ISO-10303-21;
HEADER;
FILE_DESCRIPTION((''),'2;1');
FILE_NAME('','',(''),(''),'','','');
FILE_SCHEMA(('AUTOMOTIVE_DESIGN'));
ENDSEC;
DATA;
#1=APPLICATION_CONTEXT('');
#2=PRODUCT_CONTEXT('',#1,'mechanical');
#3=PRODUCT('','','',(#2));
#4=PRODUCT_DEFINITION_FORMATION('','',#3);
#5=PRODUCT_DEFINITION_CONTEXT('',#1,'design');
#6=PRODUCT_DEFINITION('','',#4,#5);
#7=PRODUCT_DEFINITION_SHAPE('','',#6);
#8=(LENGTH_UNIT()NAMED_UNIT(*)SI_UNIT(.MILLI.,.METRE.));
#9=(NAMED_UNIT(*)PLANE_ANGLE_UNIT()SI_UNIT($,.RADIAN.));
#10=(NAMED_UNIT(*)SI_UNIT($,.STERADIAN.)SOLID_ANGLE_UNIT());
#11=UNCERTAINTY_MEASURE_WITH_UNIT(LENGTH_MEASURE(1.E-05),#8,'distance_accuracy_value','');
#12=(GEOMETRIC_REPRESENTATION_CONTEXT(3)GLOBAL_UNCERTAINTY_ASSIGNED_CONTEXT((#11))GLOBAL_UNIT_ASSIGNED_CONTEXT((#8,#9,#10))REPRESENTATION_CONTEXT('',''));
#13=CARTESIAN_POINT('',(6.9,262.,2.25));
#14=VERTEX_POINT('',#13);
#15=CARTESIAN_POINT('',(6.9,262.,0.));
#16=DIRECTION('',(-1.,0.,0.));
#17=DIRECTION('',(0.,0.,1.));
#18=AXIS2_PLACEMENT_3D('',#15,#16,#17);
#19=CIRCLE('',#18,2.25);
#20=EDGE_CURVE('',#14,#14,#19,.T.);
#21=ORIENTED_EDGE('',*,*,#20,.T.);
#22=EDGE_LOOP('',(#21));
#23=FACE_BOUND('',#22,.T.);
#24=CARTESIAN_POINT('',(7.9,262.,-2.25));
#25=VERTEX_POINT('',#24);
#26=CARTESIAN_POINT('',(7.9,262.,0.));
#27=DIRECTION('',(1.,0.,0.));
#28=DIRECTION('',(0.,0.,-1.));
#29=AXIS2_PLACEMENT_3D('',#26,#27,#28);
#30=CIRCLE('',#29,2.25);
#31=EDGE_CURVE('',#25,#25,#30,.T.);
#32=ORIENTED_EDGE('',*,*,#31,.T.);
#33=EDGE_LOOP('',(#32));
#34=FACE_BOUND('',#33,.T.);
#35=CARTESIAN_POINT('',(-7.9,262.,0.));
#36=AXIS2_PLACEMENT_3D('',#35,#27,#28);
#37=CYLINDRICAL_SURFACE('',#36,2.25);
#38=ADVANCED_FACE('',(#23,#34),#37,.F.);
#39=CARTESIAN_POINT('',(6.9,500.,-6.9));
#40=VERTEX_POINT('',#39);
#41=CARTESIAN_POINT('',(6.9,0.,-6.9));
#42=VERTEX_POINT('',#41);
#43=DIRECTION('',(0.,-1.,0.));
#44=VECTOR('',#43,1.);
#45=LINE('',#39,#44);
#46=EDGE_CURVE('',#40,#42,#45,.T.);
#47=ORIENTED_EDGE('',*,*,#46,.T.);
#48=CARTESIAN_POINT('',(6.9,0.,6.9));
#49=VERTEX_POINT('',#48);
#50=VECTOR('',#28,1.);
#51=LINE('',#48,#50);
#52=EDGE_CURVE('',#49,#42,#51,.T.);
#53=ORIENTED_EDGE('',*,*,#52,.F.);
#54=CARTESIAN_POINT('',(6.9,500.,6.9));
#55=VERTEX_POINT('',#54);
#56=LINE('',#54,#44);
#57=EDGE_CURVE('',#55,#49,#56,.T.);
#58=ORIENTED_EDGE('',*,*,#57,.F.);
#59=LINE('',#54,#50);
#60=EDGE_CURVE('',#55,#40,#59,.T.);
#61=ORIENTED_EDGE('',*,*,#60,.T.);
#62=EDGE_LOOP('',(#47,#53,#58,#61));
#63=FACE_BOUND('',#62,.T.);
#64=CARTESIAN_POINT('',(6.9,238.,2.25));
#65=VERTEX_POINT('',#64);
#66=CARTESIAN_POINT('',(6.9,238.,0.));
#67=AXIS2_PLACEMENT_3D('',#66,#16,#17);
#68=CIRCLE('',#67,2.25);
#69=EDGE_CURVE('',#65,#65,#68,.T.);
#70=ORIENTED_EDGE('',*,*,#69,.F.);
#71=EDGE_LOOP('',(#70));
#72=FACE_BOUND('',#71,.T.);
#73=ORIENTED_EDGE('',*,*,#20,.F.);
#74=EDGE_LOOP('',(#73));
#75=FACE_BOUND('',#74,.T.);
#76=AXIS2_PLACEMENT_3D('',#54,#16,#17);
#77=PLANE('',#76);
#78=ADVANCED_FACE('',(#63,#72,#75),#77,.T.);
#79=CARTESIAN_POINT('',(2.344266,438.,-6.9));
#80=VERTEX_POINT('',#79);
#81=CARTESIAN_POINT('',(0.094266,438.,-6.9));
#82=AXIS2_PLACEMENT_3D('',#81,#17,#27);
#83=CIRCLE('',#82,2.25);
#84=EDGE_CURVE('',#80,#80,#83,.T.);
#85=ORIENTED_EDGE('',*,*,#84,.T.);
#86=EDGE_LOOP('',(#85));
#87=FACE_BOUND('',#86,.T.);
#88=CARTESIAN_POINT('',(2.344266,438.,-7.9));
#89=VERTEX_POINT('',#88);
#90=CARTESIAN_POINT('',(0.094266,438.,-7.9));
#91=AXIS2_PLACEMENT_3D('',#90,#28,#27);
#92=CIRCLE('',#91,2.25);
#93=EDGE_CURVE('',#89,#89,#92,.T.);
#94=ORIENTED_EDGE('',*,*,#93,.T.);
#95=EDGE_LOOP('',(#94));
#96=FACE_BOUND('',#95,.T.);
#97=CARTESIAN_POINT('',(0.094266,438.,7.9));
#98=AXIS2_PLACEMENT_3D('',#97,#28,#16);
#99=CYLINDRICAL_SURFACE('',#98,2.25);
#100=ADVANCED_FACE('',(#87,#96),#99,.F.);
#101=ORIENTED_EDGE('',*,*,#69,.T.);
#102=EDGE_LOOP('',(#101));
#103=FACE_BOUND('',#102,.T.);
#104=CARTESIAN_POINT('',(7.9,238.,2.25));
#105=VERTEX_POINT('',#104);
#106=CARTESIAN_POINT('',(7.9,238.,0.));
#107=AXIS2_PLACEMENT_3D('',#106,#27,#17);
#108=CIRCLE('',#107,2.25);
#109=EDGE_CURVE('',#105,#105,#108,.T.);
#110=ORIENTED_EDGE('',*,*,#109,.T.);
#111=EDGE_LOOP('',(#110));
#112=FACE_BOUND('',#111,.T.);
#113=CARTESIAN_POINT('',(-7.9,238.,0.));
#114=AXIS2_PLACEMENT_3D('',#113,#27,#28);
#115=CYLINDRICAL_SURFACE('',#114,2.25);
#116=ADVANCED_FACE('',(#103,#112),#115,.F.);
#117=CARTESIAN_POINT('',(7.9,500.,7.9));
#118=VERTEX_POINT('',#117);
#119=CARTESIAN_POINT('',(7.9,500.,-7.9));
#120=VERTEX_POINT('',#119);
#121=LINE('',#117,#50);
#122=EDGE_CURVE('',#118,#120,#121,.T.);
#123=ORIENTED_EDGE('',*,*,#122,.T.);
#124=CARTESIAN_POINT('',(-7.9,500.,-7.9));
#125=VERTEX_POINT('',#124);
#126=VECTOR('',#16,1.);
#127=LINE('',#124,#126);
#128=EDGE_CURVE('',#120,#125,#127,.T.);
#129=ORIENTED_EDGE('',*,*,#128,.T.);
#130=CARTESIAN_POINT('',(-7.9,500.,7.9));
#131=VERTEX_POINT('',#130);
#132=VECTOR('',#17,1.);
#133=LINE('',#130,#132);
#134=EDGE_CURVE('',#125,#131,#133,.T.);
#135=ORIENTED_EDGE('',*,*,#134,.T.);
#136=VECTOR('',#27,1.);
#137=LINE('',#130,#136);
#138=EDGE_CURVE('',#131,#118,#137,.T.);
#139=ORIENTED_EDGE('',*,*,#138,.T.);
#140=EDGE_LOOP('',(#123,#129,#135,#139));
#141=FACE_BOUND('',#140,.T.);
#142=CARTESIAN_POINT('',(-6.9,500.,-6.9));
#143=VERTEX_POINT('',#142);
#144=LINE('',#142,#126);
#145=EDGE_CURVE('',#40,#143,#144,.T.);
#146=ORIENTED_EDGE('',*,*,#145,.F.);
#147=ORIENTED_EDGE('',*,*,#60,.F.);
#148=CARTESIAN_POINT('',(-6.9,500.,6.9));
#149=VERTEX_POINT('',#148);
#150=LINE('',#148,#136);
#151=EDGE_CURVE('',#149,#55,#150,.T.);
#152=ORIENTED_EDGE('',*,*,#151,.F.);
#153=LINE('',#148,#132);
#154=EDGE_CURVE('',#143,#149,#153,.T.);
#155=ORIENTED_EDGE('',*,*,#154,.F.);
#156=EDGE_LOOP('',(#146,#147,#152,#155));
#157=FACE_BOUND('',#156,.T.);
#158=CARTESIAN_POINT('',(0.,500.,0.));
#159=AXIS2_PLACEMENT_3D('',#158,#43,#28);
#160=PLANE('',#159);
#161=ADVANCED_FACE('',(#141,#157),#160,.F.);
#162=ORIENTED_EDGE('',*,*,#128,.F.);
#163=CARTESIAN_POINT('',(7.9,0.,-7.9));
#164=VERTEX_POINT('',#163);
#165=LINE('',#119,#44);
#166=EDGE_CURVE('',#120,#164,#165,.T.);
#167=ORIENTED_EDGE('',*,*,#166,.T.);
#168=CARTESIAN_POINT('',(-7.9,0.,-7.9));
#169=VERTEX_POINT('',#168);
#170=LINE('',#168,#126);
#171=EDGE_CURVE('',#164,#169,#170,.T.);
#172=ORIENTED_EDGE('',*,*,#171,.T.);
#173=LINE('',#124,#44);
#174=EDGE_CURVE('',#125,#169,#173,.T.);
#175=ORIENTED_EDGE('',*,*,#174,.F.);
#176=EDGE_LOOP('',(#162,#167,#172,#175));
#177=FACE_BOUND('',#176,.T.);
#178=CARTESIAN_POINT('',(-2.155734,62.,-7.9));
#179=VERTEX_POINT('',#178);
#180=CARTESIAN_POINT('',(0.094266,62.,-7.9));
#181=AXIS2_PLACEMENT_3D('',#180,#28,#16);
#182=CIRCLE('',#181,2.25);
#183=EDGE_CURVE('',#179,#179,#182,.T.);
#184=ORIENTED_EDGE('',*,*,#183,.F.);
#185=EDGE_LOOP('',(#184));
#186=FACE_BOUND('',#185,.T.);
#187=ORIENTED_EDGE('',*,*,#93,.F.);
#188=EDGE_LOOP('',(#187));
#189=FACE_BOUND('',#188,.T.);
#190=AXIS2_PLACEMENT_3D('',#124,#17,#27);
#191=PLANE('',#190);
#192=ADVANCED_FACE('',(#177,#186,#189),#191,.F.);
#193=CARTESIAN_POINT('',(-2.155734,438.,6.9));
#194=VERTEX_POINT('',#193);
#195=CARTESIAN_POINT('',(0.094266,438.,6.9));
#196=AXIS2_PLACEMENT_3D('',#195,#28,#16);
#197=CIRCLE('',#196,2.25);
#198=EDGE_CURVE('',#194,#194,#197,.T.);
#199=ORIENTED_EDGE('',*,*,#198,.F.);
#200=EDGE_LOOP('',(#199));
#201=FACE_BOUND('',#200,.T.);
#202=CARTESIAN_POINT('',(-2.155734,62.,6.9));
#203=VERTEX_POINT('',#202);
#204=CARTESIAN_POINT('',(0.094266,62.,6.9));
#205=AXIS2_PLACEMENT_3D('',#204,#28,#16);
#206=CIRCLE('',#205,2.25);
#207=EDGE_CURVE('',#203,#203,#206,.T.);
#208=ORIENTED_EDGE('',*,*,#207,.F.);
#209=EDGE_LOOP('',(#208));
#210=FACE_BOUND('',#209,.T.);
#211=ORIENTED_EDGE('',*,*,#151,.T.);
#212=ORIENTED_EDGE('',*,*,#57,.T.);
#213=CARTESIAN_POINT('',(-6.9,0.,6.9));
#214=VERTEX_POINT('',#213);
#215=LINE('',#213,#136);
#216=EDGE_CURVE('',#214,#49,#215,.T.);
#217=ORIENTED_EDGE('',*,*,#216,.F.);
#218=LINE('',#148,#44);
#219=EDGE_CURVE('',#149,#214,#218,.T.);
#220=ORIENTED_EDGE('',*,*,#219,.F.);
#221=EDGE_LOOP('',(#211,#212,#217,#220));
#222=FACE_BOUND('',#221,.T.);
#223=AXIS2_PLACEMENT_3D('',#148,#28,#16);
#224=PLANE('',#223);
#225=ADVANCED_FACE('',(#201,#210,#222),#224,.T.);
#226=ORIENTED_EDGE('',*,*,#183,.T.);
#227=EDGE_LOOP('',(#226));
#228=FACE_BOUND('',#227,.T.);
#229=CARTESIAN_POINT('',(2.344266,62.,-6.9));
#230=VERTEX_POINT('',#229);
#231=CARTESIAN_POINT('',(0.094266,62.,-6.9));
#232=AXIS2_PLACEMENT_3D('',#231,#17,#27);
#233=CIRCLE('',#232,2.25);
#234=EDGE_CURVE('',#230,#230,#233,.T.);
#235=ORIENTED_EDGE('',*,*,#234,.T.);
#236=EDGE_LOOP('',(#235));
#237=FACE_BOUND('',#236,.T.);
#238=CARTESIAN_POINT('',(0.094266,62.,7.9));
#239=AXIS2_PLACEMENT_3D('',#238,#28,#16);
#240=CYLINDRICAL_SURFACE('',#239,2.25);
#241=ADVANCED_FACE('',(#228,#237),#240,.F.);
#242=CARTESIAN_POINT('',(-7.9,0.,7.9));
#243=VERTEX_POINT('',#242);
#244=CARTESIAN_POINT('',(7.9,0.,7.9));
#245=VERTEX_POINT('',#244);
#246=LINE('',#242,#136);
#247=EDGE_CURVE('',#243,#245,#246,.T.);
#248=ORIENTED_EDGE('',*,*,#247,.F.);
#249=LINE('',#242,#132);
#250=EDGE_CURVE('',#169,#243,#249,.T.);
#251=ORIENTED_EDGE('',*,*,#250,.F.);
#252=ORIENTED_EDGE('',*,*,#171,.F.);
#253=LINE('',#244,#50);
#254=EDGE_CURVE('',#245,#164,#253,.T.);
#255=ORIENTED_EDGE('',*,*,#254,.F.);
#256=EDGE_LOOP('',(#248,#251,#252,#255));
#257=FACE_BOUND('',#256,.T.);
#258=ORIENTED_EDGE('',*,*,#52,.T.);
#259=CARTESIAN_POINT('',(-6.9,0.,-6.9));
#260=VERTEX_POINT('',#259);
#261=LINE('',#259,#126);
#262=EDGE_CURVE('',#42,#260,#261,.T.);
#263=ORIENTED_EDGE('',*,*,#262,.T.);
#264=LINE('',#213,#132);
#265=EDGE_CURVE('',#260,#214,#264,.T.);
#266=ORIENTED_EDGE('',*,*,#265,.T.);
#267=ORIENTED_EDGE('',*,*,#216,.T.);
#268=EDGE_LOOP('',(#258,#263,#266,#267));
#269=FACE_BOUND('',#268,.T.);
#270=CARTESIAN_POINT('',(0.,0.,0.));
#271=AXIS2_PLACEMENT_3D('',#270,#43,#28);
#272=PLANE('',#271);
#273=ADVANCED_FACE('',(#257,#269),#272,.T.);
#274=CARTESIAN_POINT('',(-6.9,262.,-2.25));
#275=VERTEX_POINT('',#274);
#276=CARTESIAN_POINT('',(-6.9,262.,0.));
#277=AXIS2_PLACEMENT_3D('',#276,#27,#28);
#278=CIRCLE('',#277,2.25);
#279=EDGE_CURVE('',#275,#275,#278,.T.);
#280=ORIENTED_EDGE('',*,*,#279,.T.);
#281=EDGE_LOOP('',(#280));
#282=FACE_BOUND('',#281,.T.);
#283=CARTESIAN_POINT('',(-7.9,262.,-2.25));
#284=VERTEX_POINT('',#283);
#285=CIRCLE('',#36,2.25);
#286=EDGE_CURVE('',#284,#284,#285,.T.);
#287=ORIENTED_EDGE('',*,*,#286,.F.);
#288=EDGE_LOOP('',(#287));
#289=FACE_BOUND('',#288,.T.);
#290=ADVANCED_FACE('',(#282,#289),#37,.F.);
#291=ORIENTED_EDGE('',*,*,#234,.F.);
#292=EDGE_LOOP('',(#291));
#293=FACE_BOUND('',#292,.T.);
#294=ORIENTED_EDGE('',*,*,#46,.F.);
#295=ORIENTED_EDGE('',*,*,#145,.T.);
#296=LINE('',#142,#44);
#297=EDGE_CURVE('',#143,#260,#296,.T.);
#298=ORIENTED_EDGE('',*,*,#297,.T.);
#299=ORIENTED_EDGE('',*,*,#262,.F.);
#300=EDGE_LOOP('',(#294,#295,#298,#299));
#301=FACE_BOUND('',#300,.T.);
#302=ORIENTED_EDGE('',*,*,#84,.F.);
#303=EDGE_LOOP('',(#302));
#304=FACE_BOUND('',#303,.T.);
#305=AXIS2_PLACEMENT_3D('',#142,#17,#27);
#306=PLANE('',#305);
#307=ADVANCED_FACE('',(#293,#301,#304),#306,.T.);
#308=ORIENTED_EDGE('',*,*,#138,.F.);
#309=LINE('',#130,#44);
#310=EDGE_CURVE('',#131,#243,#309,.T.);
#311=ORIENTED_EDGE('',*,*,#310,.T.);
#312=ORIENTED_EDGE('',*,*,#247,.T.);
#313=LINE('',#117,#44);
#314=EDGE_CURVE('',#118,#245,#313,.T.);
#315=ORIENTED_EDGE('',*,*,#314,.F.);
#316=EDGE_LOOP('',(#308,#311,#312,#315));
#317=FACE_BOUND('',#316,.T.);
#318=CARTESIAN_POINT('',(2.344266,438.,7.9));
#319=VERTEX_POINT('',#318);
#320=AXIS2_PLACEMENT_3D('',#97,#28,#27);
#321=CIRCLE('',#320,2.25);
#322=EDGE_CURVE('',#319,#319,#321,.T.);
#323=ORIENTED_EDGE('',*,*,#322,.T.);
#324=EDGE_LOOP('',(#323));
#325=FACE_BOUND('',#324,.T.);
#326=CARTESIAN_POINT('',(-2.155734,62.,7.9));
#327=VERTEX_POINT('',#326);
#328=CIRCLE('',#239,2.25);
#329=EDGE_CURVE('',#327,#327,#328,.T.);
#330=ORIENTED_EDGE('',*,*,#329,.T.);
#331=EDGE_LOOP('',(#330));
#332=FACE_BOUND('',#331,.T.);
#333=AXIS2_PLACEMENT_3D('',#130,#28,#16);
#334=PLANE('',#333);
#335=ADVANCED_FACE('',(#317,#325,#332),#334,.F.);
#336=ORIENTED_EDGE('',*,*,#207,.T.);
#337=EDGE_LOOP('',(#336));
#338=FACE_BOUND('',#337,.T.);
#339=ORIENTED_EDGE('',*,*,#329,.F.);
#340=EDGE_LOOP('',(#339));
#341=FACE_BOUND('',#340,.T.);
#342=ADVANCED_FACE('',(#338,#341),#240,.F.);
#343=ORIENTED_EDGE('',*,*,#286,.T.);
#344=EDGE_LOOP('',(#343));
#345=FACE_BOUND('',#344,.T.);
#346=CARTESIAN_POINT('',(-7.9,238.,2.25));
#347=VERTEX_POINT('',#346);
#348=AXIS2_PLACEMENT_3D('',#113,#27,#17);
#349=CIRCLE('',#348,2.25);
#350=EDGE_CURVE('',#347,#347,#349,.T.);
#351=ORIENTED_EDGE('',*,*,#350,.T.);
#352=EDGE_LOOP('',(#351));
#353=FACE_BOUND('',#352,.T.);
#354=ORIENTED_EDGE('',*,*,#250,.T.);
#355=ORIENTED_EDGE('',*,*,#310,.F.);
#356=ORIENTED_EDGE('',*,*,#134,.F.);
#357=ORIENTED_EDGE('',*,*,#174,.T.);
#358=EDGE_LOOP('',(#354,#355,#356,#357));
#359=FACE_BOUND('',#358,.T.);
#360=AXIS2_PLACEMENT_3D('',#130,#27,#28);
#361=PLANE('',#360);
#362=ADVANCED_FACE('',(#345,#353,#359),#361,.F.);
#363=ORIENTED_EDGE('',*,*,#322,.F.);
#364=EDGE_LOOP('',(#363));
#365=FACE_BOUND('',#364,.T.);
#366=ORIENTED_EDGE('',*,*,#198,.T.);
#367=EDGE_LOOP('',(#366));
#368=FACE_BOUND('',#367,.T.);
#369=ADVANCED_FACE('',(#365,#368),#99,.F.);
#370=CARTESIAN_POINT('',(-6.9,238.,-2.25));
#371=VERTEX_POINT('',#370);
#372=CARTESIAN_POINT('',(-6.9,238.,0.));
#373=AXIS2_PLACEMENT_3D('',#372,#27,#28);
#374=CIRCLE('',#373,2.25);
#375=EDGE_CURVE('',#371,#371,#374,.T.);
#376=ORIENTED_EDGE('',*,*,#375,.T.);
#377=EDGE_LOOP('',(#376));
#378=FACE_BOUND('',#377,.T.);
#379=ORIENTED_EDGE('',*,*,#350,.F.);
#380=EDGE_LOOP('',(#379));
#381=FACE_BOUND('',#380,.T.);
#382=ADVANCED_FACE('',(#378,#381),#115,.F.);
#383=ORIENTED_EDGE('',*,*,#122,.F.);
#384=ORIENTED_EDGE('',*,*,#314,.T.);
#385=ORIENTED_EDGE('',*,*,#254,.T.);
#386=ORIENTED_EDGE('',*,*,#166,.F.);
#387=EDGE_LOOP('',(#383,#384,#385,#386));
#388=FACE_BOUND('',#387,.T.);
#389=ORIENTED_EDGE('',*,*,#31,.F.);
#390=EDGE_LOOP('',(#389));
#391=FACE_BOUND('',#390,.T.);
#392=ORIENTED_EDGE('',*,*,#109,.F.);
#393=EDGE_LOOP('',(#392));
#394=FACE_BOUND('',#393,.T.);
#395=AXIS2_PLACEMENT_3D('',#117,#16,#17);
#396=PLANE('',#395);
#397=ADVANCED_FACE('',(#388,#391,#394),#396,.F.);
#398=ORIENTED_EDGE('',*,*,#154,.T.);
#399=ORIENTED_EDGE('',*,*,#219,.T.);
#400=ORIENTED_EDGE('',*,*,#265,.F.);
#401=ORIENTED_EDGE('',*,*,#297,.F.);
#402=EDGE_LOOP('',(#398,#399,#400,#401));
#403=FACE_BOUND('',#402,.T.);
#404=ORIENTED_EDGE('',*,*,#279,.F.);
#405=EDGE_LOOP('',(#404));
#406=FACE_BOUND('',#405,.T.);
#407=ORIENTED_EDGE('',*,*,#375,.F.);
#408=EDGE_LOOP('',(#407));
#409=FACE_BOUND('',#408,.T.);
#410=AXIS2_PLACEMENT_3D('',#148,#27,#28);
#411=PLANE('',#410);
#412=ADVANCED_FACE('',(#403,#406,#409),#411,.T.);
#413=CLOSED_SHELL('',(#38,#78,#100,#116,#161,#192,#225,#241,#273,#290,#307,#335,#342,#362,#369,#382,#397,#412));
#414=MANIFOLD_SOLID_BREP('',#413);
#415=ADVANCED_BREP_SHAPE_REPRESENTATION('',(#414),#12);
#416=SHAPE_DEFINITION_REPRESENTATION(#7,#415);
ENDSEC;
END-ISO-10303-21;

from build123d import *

# Parameters (mm, degrees)
SKETCH1_W           = 15.8
SKETCH1_H           = 15.8
SKETCH1_W_2         = 13.8
SKETCH1_H_2         = 13.8
BOSS_EXTRUDE2_DEPTH = 500
SKETCH4_R           = 2.25
CUT_EXTRUDE2_DEPTH  = 501.311952686
SKETCH6_R           = 2.25
CUT_EXTRUDE3_DEPTH  = 501.311952686


with BuildPart() as part:
    # Sketch1 → Boss-Extrude2 (new body)
    with BuildSketch(Plane(origin=(0, 0, 0), x_dir=(1, 0, 0), z_dir=(0, 1, 0))):
        Rectangle(SKETCH1_W, SKETCH1_H)
        Rectangle(SKETCH1_W_2, SKETCH1_H_2, mode=Mode.SUBTRACT)
    extrude(amount=BOSS_EXTRUDE2_DEPTH)

    # Sketch4 → Cut-Extrude2 (cut, through all)
    with BuildSketch(Plane(origin=(0, 0, -7.9), x_dir=(-1, 0, 0), z_dir=(0, 0, -1))):
        with Locations(Location((-0.094266251, 438, 0), (0, 0, 180))):
            Circle(SKETCH4_R)
        with Locations((-0.094266251, 62)):
            Circle(SKETCH4_R)
    extrude(amount=-CUT_EXTRUDE2_DEPTH, mode=Mode.SUBTRACT)

    # Sketch6 → Cut-Extrude3 (cut, through all)
    with BuildSketch(Plane(origin=(7.9, 0, 0), x_dir=(0, 0, -1), z_dir=(1, 0, 0))):
        with Locations((0, 262)):
            Circle(SKETCH6_R)
        with Locations((0, 238)):
            Circle(SKETCH6_R)
    extrude(amount=-CUT_EXTRUDE3_DEPTH, mode=Mode.SUBTRACT)


solid = part.part
